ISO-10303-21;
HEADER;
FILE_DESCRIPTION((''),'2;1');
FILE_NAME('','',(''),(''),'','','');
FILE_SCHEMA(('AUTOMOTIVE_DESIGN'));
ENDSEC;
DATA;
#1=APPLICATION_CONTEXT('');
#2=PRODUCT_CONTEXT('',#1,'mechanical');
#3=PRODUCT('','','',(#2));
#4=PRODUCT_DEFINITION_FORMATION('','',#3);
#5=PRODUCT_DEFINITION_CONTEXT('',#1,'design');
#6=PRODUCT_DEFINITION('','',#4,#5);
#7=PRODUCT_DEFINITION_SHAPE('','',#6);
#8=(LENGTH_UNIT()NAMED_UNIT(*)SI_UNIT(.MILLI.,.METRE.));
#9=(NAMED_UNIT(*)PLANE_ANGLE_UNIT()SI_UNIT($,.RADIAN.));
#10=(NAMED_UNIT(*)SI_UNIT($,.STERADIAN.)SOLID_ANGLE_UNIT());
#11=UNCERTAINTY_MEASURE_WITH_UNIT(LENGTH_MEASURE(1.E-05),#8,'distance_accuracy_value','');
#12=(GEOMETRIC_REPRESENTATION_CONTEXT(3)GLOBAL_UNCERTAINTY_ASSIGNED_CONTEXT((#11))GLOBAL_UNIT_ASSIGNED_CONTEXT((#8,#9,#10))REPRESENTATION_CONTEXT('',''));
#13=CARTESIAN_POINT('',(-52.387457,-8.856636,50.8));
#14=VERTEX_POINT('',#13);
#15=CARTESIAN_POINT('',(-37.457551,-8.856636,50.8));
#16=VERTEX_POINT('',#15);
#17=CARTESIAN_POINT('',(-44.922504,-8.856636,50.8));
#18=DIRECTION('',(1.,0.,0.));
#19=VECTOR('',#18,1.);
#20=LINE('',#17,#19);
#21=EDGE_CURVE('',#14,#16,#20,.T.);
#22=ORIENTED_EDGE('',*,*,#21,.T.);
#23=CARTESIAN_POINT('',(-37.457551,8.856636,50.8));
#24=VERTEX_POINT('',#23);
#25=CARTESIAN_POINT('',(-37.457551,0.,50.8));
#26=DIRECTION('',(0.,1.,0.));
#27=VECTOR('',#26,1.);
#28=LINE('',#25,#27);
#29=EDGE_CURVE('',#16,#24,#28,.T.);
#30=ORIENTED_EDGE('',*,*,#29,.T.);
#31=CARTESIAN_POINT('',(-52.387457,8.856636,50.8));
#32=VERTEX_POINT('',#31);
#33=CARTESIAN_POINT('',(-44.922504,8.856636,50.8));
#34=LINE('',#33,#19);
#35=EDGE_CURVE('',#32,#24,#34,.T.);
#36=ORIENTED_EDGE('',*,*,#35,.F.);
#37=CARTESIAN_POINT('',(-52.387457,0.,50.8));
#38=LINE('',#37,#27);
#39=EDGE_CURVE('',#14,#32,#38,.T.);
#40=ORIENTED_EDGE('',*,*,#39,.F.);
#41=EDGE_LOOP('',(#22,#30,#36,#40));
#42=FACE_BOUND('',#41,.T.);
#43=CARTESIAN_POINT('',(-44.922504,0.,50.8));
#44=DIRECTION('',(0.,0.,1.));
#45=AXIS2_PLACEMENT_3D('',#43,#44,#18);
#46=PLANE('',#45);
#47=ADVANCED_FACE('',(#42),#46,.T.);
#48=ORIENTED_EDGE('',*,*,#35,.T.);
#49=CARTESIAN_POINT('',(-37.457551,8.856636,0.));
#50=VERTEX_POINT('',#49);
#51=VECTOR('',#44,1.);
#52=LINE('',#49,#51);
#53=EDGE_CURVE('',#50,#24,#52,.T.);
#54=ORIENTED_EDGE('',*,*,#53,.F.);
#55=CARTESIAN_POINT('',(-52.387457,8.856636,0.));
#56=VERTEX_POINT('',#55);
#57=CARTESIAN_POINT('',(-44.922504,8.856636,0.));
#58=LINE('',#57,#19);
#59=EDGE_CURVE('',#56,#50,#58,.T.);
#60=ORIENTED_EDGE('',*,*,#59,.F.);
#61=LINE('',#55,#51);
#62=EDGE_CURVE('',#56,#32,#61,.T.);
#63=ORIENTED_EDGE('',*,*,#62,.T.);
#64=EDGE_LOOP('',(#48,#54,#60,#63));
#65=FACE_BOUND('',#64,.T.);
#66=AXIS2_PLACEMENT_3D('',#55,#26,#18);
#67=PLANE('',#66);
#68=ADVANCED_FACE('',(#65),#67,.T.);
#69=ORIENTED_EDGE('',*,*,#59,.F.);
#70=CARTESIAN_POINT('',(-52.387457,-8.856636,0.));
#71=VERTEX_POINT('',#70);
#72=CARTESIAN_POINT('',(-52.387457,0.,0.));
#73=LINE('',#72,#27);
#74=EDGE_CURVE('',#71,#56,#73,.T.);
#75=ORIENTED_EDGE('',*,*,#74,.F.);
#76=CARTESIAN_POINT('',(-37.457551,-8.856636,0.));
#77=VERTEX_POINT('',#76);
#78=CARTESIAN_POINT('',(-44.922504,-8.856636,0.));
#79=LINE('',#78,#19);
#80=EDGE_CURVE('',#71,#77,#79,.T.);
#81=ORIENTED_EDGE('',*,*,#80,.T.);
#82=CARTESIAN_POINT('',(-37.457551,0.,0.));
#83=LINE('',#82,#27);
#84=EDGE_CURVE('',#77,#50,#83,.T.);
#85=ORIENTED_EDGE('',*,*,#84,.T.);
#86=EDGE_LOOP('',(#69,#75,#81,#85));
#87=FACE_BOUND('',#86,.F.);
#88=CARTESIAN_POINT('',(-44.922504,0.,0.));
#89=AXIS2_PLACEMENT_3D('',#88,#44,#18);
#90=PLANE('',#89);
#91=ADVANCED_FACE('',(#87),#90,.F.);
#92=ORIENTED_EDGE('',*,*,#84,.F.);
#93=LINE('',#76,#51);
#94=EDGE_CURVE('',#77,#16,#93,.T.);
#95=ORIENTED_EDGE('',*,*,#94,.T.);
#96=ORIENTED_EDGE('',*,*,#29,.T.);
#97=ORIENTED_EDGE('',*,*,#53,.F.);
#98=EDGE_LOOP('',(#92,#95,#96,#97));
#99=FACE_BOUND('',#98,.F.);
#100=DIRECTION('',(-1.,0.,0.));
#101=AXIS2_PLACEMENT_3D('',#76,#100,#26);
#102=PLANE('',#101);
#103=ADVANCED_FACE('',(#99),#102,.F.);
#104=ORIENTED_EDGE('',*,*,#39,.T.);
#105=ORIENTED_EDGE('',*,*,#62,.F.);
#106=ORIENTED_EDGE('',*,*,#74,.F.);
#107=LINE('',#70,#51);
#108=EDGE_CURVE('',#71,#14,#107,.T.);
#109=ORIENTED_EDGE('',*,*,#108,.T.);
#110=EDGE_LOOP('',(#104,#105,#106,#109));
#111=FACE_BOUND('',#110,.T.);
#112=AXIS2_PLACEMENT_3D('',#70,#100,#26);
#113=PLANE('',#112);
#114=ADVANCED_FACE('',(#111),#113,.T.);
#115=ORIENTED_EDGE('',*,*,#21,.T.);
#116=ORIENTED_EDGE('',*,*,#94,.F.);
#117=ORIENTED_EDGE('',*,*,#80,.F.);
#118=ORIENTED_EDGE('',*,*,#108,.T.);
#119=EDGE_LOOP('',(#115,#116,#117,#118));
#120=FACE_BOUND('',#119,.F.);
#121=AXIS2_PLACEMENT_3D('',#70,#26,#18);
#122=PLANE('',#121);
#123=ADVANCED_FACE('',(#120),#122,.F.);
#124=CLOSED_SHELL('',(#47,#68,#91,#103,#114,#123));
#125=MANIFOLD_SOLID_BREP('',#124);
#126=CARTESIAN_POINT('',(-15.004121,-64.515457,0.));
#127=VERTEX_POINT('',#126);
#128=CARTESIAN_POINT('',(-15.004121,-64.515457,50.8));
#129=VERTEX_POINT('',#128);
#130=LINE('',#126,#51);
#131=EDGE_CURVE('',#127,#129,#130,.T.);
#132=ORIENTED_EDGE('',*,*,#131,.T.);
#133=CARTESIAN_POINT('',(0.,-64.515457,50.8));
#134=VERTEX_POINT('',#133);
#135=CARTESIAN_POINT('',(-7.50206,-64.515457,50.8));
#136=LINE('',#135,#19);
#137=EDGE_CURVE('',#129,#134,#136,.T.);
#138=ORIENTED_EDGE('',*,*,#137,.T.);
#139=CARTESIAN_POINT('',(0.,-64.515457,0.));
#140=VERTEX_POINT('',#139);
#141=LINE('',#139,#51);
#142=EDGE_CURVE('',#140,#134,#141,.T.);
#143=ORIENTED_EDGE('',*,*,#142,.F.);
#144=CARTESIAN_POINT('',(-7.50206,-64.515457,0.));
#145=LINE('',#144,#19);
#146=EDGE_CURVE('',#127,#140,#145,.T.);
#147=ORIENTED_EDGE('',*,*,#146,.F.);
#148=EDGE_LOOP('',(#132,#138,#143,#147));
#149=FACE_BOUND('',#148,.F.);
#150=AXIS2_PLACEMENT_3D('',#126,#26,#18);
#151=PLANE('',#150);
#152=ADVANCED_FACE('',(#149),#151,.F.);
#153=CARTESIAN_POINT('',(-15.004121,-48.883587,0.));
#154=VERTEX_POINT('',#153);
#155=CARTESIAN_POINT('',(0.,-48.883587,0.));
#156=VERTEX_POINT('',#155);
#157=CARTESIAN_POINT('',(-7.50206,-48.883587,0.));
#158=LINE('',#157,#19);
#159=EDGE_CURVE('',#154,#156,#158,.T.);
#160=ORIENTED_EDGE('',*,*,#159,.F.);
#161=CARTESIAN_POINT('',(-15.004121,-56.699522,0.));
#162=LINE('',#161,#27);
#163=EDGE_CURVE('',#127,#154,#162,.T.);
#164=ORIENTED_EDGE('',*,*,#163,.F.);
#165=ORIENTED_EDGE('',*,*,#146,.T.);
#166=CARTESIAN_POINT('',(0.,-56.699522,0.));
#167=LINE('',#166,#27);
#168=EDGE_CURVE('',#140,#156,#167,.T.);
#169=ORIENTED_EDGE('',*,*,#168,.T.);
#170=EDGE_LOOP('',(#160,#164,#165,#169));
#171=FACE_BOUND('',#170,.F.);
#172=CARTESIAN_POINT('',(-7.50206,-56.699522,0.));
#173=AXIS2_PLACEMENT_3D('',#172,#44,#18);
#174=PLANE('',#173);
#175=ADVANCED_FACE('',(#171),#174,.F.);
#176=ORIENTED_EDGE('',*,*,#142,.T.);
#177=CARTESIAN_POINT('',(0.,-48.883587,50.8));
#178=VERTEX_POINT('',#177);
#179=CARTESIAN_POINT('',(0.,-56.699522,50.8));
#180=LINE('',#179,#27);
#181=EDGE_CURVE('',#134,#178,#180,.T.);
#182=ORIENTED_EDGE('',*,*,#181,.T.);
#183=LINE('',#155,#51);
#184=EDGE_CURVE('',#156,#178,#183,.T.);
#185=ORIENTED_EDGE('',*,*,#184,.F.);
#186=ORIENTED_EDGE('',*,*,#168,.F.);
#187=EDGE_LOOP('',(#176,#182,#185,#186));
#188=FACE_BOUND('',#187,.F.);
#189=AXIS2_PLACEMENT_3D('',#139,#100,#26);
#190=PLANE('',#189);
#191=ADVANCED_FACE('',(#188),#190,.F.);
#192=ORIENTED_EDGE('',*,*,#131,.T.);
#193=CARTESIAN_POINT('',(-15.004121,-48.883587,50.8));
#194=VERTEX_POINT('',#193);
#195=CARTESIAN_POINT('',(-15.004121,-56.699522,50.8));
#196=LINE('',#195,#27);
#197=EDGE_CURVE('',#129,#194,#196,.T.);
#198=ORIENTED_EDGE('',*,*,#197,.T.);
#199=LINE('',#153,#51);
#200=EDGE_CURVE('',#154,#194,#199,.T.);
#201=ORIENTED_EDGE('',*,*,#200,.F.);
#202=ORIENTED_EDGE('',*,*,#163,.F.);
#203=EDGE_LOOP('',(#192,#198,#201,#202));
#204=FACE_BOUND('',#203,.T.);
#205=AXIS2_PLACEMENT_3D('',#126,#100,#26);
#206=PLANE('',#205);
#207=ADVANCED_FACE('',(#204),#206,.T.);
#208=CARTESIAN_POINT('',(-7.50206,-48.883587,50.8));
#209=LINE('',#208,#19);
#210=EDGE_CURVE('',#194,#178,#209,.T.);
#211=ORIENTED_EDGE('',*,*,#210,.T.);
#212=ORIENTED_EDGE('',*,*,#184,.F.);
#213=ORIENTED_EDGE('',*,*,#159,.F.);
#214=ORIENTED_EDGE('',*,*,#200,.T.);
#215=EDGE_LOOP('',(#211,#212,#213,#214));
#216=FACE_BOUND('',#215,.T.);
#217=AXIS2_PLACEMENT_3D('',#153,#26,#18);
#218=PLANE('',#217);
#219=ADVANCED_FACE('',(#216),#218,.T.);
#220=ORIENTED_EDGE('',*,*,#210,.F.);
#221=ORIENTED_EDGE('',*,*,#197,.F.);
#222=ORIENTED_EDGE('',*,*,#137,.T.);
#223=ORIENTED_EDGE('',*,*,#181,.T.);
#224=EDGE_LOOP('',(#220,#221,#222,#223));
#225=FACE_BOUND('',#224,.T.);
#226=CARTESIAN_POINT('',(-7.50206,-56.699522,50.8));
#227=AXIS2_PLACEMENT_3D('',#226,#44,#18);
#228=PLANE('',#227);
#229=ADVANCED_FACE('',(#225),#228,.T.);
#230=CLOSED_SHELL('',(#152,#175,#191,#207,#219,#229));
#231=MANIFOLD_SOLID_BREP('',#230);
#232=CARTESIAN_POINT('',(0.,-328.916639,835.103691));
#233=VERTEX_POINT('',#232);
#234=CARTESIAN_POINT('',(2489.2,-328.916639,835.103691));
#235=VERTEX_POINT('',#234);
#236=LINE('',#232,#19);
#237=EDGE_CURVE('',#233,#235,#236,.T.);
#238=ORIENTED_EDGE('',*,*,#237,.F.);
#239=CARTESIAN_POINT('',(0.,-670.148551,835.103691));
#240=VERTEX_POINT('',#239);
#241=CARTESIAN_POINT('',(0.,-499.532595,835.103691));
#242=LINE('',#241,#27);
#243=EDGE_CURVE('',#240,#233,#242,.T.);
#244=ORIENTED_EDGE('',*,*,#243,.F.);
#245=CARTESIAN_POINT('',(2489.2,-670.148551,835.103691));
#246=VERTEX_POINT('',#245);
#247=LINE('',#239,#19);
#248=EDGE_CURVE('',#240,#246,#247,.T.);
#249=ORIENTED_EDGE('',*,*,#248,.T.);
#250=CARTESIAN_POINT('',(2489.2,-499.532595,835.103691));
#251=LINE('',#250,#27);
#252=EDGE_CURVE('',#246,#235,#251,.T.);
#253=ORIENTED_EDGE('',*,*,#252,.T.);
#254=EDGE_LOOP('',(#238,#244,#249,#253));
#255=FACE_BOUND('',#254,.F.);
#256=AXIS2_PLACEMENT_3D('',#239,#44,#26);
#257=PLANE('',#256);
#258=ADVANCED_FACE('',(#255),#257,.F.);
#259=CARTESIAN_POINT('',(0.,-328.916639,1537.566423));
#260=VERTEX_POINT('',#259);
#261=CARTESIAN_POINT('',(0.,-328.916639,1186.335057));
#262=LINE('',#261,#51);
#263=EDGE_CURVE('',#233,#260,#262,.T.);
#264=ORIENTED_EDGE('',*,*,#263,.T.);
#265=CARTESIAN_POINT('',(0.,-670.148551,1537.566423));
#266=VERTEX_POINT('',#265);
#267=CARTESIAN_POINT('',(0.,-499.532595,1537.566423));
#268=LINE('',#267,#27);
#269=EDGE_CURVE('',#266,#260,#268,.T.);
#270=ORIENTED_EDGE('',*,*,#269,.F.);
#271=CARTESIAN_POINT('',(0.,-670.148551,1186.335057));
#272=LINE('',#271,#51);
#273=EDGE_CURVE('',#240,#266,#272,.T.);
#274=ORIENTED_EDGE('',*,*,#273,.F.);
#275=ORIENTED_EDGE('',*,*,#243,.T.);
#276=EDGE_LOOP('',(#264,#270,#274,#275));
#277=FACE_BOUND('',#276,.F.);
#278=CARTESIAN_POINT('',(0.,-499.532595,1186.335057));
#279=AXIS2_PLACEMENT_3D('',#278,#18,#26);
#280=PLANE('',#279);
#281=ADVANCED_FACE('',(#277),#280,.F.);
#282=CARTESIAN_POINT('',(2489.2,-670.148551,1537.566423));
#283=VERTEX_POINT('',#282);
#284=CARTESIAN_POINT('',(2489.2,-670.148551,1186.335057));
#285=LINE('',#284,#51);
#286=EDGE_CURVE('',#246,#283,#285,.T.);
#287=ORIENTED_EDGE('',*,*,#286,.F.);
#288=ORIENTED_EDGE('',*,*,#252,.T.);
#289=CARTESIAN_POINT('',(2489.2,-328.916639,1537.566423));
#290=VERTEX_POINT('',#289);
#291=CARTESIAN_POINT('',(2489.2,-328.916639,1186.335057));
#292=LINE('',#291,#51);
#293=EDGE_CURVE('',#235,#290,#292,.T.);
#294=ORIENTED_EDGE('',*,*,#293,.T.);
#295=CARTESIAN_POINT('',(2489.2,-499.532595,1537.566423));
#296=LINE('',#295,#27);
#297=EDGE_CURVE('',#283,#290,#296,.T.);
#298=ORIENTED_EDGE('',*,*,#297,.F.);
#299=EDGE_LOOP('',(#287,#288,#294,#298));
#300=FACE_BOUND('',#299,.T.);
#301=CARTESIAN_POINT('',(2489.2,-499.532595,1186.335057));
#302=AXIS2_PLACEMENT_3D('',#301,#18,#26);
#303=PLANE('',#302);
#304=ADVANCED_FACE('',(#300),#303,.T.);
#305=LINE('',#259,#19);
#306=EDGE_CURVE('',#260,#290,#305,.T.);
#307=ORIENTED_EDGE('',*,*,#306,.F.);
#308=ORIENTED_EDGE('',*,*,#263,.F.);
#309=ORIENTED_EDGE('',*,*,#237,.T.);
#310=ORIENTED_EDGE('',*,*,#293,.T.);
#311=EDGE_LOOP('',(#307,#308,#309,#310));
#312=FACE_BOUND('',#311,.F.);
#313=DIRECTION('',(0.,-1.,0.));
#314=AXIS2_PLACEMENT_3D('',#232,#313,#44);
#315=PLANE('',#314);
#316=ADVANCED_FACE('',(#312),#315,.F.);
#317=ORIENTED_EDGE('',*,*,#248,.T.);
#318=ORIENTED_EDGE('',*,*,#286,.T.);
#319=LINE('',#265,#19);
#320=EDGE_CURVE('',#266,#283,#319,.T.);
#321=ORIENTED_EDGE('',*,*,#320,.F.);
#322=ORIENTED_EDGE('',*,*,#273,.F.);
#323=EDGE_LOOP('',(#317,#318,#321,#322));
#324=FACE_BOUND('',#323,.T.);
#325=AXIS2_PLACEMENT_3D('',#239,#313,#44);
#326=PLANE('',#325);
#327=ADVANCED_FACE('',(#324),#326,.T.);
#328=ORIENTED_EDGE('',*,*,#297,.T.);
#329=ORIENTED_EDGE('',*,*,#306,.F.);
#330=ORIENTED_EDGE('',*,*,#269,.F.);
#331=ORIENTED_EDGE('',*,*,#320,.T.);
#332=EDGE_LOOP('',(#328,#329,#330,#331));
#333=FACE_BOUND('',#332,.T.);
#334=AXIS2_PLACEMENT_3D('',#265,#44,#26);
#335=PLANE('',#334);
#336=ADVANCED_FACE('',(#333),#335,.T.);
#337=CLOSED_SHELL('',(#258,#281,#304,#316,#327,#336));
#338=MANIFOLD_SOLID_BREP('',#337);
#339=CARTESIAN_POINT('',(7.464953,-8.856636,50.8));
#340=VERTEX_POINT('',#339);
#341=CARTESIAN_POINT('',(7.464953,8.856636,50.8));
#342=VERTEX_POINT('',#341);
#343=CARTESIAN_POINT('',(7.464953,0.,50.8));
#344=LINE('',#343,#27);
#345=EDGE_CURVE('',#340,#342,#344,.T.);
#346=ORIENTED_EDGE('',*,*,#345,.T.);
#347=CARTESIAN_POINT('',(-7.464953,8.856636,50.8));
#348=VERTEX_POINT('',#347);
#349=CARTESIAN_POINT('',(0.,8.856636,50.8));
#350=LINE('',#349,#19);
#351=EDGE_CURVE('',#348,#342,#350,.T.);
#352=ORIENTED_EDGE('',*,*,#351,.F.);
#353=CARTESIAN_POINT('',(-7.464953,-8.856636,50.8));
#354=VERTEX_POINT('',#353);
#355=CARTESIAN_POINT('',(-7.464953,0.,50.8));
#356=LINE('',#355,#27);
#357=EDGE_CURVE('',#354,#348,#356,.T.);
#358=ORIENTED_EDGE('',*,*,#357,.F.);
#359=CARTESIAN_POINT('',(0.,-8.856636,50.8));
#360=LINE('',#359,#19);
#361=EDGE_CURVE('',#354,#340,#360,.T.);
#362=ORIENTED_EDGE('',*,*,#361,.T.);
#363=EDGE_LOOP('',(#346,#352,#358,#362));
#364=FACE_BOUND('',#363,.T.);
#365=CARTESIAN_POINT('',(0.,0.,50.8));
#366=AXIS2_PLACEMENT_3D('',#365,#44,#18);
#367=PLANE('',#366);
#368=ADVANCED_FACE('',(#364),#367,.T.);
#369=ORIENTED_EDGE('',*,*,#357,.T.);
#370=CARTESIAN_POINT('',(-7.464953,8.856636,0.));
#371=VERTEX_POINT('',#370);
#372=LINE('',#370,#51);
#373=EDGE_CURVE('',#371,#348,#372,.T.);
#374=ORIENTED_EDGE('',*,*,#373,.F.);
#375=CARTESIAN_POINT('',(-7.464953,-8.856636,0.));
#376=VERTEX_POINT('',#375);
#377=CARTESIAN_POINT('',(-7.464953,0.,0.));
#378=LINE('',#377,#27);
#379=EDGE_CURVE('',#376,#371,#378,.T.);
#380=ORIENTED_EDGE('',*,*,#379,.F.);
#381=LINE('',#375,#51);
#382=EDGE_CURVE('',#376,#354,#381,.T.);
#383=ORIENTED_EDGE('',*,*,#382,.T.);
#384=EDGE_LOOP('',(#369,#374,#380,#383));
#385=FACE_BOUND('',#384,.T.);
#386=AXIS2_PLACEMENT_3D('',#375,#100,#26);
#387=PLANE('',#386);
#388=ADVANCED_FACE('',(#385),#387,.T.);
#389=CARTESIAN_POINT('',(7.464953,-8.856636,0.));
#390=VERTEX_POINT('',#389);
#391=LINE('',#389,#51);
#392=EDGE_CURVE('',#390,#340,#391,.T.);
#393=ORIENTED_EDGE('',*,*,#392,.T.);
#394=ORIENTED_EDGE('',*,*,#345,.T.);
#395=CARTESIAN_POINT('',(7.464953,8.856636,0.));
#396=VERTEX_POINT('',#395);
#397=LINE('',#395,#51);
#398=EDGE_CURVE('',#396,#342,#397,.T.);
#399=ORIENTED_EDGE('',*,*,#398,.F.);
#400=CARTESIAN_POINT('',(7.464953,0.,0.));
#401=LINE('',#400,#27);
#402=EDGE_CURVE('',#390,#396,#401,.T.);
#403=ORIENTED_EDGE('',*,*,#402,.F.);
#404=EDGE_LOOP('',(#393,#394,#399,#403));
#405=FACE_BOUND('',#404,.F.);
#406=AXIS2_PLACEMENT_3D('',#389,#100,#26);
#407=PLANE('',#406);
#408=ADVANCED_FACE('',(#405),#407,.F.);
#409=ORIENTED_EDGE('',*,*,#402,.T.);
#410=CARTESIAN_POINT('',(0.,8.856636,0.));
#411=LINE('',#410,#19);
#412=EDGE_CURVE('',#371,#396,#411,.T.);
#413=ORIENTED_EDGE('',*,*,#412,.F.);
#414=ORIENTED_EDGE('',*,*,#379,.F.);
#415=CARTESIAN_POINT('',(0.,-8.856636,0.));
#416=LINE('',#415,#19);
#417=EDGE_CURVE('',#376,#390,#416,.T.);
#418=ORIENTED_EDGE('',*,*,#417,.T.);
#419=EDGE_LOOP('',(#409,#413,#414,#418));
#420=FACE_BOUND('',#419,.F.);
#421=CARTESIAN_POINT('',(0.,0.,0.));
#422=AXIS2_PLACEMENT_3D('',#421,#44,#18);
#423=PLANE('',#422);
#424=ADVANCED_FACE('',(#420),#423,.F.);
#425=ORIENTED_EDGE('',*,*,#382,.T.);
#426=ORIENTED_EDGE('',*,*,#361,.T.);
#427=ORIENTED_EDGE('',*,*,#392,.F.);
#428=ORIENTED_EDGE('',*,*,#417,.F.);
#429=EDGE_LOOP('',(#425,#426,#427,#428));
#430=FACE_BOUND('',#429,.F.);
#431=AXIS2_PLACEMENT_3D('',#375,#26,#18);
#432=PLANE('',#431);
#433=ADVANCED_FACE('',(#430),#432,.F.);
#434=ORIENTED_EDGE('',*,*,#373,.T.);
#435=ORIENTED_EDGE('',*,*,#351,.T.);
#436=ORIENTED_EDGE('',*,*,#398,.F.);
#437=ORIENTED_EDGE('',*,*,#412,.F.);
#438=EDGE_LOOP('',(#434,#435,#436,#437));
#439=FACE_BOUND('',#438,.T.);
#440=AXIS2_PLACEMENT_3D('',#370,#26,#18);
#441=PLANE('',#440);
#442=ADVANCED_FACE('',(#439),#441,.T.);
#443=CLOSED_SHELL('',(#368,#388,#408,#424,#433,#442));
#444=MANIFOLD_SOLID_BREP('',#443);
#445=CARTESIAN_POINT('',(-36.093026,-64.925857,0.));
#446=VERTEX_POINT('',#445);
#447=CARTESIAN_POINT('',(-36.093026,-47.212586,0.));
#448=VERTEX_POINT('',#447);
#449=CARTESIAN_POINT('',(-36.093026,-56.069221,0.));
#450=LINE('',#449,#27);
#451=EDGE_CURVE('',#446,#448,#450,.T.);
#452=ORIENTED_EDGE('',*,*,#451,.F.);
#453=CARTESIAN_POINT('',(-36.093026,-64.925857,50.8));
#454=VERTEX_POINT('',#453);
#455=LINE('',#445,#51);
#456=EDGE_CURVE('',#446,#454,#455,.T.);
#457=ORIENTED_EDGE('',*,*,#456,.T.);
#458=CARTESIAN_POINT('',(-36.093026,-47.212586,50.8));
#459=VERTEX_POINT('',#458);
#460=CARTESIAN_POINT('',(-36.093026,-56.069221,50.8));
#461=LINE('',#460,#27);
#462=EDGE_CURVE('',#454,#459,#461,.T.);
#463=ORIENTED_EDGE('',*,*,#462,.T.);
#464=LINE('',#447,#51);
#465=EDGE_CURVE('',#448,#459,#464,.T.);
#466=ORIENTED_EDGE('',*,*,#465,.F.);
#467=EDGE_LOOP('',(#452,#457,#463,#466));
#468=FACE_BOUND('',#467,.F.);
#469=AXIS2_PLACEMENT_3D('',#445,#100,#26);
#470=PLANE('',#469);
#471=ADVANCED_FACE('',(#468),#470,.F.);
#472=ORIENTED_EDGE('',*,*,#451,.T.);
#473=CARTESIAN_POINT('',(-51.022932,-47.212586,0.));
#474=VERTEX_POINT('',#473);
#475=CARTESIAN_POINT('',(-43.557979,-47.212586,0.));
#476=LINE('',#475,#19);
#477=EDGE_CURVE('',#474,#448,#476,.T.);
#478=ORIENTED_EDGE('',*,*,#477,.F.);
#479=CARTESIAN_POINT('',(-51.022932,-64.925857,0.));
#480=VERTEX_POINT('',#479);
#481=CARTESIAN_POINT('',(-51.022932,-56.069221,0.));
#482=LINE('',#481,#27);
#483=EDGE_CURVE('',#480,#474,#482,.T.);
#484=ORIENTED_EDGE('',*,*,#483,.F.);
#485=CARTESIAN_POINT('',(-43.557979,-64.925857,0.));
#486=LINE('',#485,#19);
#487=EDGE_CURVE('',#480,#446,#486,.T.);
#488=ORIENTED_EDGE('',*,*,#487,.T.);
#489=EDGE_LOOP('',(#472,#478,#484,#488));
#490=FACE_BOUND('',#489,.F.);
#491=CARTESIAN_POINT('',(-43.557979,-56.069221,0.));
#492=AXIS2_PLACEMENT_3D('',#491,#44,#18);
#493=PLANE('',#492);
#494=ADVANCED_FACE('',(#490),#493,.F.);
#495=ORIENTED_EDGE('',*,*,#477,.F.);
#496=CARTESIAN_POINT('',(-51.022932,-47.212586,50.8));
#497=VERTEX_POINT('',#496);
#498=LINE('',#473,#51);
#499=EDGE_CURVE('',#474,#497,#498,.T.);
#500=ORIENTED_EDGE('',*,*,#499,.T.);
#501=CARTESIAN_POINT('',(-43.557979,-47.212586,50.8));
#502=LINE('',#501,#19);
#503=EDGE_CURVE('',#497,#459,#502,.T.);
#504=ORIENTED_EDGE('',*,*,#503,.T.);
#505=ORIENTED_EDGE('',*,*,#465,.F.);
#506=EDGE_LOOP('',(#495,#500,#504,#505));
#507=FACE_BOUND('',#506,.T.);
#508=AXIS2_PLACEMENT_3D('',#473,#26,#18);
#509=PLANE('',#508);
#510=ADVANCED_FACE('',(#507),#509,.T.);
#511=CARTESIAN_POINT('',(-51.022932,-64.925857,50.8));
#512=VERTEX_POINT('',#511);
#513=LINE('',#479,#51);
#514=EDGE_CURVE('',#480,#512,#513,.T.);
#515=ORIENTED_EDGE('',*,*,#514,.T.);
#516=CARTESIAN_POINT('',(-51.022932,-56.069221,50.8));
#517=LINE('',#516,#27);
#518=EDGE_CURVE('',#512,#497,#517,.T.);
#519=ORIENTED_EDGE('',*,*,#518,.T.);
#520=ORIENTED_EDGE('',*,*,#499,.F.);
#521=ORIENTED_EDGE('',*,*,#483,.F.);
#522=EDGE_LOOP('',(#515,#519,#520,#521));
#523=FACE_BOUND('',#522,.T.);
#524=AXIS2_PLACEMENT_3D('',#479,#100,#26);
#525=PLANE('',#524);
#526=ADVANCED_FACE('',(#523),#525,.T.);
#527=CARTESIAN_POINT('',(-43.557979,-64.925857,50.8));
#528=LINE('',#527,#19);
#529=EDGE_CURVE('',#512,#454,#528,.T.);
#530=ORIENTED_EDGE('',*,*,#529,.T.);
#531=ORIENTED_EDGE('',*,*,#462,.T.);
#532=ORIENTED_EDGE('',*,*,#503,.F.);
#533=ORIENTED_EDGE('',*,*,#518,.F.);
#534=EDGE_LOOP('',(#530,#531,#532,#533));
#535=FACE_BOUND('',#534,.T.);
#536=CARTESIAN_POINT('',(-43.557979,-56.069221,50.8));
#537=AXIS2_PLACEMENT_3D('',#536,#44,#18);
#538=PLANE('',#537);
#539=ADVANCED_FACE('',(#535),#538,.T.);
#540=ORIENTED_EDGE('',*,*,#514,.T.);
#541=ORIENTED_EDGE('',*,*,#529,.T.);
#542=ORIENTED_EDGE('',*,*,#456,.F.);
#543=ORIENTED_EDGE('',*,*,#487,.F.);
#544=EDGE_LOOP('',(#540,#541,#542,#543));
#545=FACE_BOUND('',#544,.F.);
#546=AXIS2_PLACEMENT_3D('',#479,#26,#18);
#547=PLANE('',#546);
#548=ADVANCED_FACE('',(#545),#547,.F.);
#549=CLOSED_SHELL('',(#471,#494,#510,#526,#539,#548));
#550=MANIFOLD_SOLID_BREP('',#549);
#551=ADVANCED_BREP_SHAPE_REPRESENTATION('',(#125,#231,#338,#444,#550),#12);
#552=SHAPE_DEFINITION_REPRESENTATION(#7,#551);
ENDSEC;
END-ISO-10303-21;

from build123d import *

# Parameters (mm, degrees)
F0_W      = 14.9299055338
F0_H      = 17.7132710814
F1_DEPTH  = 50.8
F2_W      = 14.9299055338
F2_H      = 17.7132710814
F3_DEPTH  = 50.8
F4_W      = 14.9299055338
F4_H      = 17.7132710814
F5_DEPTH  = 50.8
F6_W      = 15.0041207671
F6_H      = 15.6318694353
F7_DEPTH  = 50.8
F8_W      = 52.1195940673
F8_H      = 73.2580646873
F9_DEPTH  = 50.8
F10_W     = 341.2319123745
F10_H     = 702.4627327919
F11_DEPTH = 2489.2


with BuildPart() as f1:
    # F0 (on Top) → F1 (new body)
    with BuildSketch(Plane.XY):
        with Locations((-43.5579791665, -56.0692213476)):
            Rectangle(F0_W, F0_H)
    extrude(amount=F1_DEPTH)

    # F8 (on Top) → F9 (cut)
    with BuildSketch(Plane.XY):
        with Locations((-43.2957876474, -1.6988962889)):
            Rectangle(F8_W, F8_H)
    extrude(amount=-F9_DEPTH, mode=Mode.SUBTRACT)


with BuildPart() as f3:
    # F2 (on Top) → F3 (new body)
    with BuildSketch(Plane.XY):
        with Locations((-44.9225041084, 0)):
            Rectangle(F2_W, F2_H)
    extrude(amount=F3_DEPTH)


with BuildPart() as f5:
    # F4 (on Top) → F5 (new body)
    with BuildSketch(Plane.XY):
        Rectangle(F4_W, F4_H)
    extrude(amount=F5_DEPTH)


with BuildPart() as f7:
    # F6 (on Top) → F7 (new body)
    with BuildSketch(Plane.XY):
        with Locations((-7.5020603836, -56.6995218396)):
            Rectangle(F6_W, F6_H)
    extrude(amount=F7_DEPTH)


with BuildPart() as f11:
    # F10 (on Right) → F11 (new body)
    with BuildSketch(Plane.YZ):
        with Locations((-499.5325952768, 1186.3350570202)):
            Rectangle(F10_W, F10_H)
    extrude(amount=F11_DEPTH)


solid = Compound([f1.part, f3.part, f5.part, f7.part, f11.part])
